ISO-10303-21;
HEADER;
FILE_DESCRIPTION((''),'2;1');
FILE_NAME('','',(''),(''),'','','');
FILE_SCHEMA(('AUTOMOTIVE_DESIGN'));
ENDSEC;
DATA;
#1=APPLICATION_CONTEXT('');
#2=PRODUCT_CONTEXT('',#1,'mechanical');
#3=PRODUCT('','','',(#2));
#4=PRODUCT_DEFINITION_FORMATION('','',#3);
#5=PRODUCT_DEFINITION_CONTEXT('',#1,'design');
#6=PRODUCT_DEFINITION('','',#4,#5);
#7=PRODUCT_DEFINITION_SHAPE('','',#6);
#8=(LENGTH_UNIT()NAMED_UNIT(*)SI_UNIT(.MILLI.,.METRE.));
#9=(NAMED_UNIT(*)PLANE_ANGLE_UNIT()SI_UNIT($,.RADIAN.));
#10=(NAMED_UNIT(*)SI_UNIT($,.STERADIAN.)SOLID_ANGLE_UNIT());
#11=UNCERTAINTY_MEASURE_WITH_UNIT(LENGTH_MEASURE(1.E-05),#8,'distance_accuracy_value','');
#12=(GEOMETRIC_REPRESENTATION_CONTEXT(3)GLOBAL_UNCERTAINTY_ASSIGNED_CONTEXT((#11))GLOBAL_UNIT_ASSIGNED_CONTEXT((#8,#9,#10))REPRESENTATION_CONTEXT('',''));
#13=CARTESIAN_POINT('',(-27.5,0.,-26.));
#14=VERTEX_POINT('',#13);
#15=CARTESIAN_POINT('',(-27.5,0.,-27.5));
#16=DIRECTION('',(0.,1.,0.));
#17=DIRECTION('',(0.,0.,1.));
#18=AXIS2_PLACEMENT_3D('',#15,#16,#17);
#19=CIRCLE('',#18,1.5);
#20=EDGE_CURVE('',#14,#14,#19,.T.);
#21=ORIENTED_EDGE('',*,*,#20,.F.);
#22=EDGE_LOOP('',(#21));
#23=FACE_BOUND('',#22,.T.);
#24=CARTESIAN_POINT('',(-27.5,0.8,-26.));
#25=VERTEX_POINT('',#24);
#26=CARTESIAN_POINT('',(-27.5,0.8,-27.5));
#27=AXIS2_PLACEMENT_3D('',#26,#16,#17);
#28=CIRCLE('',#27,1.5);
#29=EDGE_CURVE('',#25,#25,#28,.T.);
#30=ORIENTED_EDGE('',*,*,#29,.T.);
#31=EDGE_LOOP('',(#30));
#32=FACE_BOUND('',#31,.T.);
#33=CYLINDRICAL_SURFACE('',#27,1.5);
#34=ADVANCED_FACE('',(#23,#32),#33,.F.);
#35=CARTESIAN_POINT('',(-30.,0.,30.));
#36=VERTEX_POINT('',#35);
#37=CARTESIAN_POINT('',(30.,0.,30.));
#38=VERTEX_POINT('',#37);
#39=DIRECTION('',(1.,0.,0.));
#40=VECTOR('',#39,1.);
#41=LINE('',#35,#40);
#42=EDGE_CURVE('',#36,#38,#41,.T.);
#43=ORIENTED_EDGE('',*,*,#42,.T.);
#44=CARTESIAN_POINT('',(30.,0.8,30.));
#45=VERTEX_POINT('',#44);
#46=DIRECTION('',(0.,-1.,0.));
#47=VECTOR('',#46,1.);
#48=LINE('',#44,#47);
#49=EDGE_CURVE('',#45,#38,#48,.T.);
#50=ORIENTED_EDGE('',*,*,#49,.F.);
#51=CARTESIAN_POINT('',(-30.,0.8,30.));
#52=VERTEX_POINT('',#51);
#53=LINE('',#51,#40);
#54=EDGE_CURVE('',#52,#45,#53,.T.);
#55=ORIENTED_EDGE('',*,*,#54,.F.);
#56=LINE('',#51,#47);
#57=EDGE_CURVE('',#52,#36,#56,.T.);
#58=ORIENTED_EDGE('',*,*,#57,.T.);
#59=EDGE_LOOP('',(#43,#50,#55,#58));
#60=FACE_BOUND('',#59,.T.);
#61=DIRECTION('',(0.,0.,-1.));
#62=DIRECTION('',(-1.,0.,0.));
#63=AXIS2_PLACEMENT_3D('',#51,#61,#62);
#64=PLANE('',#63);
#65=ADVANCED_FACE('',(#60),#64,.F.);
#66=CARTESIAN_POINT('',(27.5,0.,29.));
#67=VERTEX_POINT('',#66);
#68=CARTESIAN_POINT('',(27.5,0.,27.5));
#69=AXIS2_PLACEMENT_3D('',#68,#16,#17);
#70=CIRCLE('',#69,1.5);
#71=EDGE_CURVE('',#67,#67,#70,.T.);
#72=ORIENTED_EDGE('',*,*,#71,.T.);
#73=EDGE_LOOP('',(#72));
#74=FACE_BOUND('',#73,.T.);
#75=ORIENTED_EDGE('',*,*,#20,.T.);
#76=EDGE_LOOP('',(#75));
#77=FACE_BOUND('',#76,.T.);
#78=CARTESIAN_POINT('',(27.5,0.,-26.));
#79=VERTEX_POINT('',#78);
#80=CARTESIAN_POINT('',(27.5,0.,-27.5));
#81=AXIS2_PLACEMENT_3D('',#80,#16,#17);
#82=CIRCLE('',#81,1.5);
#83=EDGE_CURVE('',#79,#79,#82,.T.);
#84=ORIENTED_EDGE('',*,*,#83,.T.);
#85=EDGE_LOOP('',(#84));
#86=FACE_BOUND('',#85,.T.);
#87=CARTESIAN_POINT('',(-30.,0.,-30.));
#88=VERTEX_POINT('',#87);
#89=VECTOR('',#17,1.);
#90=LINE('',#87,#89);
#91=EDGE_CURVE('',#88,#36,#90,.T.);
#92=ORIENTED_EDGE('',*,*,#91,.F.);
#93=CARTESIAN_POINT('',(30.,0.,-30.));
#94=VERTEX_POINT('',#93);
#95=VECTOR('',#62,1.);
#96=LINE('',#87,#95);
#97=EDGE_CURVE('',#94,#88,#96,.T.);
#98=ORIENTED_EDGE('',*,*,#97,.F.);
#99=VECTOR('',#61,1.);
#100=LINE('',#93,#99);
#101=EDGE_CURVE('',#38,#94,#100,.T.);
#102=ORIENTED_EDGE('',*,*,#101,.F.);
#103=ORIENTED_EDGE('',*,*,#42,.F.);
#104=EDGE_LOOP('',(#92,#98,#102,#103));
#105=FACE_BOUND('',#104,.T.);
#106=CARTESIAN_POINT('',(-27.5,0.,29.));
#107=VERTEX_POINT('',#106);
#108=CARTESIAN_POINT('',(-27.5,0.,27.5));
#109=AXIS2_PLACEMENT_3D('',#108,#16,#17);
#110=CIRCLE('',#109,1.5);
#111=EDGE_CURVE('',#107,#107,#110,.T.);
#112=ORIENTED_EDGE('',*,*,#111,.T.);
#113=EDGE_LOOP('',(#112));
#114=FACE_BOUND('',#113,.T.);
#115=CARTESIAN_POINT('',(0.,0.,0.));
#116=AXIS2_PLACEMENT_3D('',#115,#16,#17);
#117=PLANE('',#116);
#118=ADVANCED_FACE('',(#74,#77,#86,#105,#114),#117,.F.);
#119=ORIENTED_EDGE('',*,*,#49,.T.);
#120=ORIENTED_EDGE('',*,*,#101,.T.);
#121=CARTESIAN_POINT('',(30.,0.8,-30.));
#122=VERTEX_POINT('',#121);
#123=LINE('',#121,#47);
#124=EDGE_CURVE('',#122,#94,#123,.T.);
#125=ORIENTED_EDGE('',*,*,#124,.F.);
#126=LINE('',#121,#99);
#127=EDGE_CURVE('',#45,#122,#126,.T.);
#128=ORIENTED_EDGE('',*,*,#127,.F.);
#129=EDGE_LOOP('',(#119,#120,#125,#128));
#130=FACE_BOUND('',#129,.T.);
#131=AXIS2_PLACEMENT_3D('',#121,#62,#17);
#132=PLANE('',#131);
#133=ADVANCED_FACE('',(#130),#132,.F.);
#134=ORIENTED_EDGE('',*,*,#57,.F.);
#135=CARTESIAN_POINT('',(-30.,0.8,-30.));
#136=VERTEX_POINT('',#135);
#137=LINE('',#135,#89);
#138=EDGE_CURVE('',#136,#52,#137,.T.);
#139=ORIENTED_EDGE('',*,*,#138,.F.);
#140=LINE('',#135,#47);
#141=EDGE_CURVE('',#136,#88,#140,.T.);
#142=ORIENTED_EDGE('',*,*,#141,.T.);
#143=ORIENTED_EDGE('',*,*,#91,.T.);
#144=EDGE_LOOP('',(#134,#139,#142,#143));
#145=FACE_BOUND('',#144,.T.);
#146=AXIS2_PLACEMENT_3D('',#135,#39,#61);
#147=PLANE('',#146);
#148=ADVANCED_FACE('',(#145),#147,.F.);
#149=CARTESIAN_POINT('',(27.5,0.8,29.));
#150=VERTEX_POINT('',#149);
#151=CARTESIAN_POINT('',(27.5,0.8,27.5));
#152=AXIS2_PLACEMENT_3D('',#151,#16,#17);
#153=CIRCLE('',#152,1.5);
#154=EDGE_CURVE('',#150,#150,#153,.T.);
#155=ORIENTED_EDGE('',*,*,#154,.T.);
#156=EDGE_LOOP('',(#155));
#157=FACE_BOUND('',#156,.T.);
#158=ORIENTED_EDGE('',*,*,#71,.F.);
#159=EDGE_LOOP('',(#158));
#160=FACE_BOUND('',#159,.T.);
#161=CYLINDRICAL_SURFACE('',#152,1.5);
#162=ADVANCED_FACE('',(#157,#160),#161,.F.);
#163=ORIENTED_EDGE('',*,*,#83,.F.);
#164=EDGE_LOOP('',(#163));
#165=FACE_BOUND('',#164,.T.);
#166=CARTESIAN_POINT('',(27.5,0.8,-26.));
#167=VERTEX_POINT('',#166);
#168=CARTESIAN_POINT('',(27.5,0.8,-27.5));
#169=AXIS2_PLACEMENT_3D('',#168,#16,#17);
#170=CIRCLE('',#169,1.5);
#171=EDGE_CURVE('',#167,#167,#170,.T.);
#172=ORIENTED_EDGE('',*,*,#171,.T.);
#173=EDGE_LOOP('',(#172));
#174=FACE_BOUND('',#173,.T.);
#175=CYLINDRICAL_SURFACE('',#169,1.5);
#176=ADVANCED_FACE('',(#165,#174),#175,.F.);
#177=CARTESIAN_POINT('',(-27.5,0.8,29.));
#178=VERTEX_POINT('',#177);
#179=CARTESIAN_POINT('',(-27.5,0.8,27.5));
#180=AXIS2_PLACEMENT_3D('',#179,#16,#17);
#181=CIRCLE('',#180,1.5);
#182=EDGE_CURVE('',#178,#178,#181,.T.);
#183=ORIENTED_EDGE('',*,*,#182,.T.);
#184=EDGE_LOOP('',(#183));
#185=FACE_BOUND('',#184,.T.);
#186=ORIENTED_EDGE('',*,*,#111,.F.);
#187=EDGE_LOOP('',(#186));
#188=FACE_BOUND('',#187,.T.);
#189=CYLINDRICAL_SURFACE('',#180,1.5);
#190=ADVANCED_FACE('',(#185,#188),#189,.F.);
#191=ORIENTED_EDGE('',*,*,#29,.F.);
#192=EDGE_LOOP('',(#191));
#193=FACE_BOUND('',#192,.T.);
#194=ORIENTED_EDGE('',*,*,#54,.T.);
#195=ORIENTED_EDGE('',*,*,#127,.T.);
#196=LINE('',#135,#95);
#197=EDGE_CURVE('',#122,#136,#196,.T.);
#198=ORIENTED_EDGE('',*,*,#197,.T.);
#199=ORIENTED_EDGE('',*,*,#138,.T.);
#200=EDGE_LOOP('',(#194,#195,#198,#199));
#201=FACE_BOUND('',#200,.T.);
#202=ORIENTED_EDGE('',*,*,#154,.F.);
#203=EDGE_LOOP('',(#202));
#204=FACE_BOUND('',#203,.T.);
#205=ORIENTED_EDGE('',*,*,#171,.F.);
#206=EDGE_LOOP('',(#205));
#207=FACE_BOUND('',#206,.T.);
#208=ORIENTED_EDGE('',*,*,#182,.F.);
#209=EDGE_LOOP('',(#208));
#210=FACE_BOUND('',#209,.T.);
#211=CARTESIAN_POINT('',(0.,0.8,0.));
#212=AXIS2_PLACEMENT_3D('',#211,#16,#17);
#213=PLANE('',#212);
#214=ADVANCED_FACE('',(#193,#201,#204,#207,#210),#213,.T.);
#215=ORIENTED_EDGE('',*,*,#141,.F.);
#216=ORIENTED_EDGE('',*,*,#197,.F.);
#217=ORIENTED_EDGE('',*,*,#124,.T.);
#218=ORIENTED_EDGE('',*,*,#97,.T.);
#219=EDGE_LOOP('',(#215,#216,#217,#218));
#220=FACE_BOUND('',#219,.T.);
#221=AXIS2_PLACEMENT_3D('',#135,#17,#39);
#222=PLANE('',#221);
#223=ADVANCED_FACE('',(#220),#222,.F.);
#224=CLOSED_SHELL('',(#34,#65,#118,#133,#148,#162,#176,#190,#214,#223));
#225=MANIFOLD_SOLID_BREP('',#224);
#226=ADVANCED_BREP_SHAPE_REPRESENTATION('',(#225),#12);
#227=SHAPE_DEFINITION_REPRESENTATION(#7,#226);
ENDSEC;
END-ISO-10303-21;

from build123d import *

# Parameters (mm, degrees)
SKETCH1_W                = 60
SKETCH1_H                = 60
BOSS_EXTRUDE1_DEPTH      = 0.8
F_3_0_3_DIAMETER_HOLE1_D = 3


with BuildPart() as part:
    # Sketch1 → Boss-Extrude1 (new body)
    with BuildSketch(Plane(origin=(0, 0, 0), x_dir=(1, 0, 0), z_dir=(0, 1, 0))):
        Rectangle(SKETCH1_W, SKETCH1_H)
    extrude(amount=BOSS_EXTRUDE1_DEPTH)

    # Ø3.0 (3) Diameter Hole1 (through all)
    with Locations(Plane(origin=(0, 0.8, 0), x_dir=(1, 0, 0), z_dir=(0, 1, 0))):
        with Locations((-27.5, 27.5), (27.5, 27.5), (27.5, -27.5), (-27.5, -27.5)):
            Hole(F_3_0_3_DIAMETER_HOLE1_D / 2)


solid = part.part
